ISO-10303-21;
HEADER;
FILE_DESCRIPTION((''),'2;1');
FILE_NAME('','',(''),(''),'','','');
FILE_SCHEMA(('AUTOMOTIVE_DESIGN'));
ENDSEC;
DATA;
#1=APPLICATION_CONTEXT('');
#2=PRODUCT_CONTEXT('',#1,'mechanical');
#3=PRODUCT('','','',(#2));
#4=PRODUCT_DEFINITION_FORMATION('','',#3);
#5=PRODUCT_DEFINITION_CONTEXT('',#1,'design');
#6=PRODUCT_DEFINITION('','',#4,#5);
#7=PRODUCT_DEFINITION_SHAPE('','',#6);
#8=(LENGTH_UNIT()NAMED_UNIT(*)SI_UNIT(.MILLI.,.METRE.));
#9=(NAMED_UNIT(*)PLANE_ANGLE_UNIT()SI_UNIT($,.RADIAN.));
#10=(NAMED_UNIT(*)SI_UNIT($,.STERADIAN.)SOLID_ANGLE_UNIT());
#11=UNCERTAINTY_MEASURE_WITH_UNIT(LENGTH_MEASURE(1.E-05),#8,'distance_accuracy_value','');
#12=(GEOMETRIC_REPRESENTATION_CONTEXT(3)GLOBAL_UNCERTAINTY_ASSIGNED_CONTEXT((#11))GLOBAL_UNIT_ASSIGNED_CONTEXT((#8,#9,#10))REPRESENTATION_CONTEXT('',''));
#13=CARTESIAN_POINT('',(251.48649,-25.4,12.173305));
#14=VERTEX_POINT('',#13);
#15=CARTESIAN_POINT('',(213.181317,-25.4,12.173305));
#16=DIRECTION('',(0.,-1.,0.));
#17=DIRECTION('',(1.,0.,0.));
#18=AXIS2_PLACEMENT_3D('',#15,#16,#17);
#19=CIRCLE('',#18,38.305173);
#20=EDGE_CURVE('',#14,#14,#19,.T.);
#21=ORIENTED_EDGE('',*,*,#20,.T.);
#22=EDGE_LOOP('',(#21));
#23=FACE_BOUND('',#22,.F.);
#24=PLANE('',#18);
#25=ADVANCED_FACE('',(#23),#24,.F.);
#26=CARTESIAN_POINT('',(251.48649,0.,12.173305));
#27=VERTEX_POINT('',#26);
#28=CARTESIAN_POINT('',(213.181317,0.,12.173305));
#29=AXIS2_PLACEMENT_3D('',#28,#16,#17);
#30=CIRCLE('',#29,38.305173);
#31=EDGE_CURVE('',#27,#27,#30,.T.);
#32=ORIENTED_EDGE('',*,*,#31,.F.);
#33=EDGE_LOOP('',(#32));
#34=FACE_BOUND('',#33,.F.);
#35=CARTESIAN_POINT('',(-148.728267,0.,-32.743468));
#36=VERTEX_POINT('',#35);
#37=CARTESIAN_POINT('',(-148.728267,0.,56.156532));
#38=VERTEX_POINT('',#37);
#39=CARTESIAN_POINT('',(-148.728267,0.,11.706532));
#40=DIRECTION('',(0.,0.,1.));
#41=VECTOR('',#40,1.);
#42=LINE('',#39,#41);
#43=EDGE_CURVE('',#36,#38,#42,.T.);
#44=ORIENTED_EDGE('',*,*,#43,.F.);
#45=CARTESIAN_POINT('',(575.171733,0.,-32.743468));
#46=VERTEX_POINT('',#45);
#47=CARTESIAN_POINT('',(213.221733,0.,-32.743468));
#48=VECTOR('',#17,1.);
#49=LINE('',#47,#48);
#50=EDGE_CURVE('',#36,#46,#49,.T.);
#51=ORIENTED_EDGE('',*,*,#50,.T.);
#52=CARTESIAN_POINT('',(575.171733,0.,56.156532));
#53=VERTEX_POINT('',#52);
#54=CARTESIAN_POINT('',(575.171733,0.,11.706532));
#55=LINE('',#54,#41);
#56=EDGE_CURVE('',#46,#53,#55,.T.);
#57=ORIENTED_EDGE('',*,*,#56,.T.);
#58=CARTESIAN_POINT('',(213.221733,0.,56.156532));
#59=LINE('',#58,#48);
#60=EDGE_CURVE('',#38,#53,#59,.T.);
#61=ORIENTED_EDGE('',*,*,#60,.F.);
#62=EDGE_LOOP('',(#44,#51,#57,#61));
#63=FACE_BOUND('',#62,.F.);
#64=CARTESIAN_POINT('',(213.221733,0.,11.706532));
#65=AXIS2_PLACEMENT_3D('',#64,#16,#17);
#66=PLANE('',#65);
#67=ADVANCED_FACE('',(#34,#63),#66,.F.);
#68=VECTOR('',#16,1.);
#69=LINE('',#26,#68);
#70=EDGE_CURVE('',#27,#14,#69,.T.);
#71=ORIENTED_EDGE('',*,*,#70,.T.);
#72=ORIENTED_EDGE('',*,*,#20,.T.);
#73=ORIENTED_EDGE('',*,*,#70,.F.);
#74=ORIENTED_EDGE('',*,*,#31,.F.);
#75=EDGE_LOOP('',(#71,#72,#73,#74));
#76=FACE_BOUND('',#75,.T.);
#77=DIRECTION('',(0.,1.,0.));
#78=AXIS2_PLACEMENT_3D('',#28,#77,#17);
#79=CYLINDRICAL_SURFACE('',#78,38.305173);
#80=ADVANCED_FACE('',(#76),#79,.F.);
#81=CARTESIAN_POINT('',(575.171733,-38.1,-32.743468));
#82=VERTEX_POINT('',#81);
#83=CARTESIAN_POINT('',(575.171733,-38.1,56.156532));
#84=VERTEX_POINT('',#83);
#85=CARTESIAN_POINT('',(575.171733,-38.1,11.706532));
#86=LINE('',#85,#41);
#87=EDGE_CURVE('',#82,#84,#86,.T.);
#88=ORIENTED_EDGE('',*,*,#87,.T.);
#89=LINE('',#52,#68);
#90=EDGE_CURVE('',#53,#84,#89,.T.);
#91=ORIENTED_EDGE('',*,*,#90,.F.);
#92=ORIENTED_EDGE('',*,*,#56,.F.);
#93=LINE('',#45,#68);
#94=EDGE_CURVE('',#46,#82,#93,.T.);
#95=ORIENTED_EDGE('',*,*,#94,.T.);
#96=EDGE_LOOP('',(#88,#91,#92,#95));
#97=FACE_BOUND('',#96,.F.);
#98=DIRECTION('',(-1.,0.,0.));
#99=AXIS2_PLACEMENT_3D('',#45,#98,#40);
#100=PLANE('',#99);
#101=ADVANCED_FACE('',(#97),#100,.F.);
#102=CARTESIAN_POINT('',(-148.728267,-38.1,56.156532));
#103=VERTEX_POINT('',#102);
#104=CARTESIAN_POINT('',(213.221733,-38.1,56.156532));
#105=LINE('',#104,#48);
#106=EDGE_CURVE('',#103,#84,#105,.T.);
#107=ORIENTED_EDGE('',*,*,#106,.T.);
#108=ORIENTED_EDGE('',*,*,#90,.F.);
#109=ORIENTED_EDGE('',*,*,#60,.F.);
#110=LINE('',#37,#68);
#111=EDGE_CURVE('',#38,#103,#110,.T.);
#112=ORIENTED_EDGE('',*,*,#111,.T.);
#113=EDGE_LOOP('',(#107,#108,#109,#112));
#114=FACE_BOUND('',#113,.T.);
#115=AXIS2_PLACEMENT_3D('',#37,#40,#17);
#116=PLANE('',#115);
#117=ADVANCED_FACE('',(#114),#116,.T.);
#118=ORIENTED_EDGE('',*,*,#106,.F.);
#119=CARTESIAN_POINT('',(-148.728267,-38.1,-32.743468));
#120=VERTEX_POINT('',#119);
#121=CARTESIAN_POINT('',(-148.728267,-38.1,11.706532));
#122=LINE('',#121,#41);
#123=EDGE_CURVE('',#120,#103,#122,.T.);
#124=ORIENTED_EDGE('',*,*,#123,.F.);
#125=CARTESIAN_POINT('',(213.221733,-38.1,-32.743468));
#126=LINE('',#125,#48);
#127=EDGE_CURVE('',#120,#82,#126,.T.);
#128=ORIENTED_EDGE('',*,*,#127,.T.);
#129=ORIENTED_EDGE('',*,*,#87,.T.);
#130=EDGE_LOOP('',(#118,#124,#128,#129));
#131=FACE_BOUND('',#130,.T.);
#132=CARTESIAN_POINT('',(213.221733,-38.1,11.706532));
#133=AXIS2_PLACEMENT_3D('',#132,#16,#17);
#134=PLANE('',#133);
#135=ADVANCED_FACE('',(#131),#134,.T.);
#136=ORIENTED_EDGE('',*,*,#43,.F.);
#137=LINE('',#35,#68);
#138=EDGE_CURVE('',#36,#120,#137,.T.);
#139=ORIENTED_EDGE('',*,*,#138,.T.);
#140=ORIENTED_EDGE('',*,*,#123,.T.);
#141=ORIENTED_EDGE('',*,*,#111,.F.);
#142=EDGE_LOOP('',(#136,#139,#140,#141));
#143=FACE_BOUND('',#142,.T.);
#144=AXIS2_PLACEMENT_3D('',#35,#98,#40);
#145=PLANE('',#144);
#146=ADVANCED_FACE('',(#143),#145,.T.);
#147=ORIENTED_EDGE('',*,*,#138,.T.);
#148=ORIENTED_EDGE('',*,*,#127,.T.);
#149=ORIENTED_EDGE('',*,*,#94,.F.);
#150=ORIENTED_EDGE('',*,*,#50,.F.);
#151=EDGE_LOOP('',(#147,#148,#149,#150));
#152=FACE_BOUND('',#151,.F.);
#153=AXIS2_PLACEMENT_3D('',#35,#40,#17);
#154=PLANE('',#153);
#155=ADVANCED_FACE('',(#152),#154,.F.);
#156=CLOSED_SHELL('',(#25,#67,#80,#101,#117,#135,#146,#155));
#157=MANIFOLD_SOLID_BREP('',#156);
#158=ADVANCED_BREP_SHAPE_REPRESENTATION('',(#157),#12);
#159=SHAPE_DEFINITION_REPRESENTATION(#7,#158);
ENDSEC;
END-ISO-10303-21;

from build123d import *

# Parameters (mm, degrees)
F0_W     = 723.9
F0_H     = 88.9
F1_DEPTH = 38.1
F2_R     = 38.305173
F3_DEPTH = 25.4


with BuildPart() as f1:
    # F0 (on Front) → F1 (new body)
    with BuildSketch(Plane.XZ):
        with Locations((213.221733, 11.706532)):
            Rectangle(F0_W, F0_H)
    extrude(amount=F1_DEPTH)

    # F2 (on face) → F3 (cut)
    with BuildSketch(Plane.XZ):
        with Locations((213.181317, 12.173305)):
            Circle(F2_R)
    extrude(amount=F3_DEPTH, mode=Mode.SUBTRACT)


solid = f1.part
